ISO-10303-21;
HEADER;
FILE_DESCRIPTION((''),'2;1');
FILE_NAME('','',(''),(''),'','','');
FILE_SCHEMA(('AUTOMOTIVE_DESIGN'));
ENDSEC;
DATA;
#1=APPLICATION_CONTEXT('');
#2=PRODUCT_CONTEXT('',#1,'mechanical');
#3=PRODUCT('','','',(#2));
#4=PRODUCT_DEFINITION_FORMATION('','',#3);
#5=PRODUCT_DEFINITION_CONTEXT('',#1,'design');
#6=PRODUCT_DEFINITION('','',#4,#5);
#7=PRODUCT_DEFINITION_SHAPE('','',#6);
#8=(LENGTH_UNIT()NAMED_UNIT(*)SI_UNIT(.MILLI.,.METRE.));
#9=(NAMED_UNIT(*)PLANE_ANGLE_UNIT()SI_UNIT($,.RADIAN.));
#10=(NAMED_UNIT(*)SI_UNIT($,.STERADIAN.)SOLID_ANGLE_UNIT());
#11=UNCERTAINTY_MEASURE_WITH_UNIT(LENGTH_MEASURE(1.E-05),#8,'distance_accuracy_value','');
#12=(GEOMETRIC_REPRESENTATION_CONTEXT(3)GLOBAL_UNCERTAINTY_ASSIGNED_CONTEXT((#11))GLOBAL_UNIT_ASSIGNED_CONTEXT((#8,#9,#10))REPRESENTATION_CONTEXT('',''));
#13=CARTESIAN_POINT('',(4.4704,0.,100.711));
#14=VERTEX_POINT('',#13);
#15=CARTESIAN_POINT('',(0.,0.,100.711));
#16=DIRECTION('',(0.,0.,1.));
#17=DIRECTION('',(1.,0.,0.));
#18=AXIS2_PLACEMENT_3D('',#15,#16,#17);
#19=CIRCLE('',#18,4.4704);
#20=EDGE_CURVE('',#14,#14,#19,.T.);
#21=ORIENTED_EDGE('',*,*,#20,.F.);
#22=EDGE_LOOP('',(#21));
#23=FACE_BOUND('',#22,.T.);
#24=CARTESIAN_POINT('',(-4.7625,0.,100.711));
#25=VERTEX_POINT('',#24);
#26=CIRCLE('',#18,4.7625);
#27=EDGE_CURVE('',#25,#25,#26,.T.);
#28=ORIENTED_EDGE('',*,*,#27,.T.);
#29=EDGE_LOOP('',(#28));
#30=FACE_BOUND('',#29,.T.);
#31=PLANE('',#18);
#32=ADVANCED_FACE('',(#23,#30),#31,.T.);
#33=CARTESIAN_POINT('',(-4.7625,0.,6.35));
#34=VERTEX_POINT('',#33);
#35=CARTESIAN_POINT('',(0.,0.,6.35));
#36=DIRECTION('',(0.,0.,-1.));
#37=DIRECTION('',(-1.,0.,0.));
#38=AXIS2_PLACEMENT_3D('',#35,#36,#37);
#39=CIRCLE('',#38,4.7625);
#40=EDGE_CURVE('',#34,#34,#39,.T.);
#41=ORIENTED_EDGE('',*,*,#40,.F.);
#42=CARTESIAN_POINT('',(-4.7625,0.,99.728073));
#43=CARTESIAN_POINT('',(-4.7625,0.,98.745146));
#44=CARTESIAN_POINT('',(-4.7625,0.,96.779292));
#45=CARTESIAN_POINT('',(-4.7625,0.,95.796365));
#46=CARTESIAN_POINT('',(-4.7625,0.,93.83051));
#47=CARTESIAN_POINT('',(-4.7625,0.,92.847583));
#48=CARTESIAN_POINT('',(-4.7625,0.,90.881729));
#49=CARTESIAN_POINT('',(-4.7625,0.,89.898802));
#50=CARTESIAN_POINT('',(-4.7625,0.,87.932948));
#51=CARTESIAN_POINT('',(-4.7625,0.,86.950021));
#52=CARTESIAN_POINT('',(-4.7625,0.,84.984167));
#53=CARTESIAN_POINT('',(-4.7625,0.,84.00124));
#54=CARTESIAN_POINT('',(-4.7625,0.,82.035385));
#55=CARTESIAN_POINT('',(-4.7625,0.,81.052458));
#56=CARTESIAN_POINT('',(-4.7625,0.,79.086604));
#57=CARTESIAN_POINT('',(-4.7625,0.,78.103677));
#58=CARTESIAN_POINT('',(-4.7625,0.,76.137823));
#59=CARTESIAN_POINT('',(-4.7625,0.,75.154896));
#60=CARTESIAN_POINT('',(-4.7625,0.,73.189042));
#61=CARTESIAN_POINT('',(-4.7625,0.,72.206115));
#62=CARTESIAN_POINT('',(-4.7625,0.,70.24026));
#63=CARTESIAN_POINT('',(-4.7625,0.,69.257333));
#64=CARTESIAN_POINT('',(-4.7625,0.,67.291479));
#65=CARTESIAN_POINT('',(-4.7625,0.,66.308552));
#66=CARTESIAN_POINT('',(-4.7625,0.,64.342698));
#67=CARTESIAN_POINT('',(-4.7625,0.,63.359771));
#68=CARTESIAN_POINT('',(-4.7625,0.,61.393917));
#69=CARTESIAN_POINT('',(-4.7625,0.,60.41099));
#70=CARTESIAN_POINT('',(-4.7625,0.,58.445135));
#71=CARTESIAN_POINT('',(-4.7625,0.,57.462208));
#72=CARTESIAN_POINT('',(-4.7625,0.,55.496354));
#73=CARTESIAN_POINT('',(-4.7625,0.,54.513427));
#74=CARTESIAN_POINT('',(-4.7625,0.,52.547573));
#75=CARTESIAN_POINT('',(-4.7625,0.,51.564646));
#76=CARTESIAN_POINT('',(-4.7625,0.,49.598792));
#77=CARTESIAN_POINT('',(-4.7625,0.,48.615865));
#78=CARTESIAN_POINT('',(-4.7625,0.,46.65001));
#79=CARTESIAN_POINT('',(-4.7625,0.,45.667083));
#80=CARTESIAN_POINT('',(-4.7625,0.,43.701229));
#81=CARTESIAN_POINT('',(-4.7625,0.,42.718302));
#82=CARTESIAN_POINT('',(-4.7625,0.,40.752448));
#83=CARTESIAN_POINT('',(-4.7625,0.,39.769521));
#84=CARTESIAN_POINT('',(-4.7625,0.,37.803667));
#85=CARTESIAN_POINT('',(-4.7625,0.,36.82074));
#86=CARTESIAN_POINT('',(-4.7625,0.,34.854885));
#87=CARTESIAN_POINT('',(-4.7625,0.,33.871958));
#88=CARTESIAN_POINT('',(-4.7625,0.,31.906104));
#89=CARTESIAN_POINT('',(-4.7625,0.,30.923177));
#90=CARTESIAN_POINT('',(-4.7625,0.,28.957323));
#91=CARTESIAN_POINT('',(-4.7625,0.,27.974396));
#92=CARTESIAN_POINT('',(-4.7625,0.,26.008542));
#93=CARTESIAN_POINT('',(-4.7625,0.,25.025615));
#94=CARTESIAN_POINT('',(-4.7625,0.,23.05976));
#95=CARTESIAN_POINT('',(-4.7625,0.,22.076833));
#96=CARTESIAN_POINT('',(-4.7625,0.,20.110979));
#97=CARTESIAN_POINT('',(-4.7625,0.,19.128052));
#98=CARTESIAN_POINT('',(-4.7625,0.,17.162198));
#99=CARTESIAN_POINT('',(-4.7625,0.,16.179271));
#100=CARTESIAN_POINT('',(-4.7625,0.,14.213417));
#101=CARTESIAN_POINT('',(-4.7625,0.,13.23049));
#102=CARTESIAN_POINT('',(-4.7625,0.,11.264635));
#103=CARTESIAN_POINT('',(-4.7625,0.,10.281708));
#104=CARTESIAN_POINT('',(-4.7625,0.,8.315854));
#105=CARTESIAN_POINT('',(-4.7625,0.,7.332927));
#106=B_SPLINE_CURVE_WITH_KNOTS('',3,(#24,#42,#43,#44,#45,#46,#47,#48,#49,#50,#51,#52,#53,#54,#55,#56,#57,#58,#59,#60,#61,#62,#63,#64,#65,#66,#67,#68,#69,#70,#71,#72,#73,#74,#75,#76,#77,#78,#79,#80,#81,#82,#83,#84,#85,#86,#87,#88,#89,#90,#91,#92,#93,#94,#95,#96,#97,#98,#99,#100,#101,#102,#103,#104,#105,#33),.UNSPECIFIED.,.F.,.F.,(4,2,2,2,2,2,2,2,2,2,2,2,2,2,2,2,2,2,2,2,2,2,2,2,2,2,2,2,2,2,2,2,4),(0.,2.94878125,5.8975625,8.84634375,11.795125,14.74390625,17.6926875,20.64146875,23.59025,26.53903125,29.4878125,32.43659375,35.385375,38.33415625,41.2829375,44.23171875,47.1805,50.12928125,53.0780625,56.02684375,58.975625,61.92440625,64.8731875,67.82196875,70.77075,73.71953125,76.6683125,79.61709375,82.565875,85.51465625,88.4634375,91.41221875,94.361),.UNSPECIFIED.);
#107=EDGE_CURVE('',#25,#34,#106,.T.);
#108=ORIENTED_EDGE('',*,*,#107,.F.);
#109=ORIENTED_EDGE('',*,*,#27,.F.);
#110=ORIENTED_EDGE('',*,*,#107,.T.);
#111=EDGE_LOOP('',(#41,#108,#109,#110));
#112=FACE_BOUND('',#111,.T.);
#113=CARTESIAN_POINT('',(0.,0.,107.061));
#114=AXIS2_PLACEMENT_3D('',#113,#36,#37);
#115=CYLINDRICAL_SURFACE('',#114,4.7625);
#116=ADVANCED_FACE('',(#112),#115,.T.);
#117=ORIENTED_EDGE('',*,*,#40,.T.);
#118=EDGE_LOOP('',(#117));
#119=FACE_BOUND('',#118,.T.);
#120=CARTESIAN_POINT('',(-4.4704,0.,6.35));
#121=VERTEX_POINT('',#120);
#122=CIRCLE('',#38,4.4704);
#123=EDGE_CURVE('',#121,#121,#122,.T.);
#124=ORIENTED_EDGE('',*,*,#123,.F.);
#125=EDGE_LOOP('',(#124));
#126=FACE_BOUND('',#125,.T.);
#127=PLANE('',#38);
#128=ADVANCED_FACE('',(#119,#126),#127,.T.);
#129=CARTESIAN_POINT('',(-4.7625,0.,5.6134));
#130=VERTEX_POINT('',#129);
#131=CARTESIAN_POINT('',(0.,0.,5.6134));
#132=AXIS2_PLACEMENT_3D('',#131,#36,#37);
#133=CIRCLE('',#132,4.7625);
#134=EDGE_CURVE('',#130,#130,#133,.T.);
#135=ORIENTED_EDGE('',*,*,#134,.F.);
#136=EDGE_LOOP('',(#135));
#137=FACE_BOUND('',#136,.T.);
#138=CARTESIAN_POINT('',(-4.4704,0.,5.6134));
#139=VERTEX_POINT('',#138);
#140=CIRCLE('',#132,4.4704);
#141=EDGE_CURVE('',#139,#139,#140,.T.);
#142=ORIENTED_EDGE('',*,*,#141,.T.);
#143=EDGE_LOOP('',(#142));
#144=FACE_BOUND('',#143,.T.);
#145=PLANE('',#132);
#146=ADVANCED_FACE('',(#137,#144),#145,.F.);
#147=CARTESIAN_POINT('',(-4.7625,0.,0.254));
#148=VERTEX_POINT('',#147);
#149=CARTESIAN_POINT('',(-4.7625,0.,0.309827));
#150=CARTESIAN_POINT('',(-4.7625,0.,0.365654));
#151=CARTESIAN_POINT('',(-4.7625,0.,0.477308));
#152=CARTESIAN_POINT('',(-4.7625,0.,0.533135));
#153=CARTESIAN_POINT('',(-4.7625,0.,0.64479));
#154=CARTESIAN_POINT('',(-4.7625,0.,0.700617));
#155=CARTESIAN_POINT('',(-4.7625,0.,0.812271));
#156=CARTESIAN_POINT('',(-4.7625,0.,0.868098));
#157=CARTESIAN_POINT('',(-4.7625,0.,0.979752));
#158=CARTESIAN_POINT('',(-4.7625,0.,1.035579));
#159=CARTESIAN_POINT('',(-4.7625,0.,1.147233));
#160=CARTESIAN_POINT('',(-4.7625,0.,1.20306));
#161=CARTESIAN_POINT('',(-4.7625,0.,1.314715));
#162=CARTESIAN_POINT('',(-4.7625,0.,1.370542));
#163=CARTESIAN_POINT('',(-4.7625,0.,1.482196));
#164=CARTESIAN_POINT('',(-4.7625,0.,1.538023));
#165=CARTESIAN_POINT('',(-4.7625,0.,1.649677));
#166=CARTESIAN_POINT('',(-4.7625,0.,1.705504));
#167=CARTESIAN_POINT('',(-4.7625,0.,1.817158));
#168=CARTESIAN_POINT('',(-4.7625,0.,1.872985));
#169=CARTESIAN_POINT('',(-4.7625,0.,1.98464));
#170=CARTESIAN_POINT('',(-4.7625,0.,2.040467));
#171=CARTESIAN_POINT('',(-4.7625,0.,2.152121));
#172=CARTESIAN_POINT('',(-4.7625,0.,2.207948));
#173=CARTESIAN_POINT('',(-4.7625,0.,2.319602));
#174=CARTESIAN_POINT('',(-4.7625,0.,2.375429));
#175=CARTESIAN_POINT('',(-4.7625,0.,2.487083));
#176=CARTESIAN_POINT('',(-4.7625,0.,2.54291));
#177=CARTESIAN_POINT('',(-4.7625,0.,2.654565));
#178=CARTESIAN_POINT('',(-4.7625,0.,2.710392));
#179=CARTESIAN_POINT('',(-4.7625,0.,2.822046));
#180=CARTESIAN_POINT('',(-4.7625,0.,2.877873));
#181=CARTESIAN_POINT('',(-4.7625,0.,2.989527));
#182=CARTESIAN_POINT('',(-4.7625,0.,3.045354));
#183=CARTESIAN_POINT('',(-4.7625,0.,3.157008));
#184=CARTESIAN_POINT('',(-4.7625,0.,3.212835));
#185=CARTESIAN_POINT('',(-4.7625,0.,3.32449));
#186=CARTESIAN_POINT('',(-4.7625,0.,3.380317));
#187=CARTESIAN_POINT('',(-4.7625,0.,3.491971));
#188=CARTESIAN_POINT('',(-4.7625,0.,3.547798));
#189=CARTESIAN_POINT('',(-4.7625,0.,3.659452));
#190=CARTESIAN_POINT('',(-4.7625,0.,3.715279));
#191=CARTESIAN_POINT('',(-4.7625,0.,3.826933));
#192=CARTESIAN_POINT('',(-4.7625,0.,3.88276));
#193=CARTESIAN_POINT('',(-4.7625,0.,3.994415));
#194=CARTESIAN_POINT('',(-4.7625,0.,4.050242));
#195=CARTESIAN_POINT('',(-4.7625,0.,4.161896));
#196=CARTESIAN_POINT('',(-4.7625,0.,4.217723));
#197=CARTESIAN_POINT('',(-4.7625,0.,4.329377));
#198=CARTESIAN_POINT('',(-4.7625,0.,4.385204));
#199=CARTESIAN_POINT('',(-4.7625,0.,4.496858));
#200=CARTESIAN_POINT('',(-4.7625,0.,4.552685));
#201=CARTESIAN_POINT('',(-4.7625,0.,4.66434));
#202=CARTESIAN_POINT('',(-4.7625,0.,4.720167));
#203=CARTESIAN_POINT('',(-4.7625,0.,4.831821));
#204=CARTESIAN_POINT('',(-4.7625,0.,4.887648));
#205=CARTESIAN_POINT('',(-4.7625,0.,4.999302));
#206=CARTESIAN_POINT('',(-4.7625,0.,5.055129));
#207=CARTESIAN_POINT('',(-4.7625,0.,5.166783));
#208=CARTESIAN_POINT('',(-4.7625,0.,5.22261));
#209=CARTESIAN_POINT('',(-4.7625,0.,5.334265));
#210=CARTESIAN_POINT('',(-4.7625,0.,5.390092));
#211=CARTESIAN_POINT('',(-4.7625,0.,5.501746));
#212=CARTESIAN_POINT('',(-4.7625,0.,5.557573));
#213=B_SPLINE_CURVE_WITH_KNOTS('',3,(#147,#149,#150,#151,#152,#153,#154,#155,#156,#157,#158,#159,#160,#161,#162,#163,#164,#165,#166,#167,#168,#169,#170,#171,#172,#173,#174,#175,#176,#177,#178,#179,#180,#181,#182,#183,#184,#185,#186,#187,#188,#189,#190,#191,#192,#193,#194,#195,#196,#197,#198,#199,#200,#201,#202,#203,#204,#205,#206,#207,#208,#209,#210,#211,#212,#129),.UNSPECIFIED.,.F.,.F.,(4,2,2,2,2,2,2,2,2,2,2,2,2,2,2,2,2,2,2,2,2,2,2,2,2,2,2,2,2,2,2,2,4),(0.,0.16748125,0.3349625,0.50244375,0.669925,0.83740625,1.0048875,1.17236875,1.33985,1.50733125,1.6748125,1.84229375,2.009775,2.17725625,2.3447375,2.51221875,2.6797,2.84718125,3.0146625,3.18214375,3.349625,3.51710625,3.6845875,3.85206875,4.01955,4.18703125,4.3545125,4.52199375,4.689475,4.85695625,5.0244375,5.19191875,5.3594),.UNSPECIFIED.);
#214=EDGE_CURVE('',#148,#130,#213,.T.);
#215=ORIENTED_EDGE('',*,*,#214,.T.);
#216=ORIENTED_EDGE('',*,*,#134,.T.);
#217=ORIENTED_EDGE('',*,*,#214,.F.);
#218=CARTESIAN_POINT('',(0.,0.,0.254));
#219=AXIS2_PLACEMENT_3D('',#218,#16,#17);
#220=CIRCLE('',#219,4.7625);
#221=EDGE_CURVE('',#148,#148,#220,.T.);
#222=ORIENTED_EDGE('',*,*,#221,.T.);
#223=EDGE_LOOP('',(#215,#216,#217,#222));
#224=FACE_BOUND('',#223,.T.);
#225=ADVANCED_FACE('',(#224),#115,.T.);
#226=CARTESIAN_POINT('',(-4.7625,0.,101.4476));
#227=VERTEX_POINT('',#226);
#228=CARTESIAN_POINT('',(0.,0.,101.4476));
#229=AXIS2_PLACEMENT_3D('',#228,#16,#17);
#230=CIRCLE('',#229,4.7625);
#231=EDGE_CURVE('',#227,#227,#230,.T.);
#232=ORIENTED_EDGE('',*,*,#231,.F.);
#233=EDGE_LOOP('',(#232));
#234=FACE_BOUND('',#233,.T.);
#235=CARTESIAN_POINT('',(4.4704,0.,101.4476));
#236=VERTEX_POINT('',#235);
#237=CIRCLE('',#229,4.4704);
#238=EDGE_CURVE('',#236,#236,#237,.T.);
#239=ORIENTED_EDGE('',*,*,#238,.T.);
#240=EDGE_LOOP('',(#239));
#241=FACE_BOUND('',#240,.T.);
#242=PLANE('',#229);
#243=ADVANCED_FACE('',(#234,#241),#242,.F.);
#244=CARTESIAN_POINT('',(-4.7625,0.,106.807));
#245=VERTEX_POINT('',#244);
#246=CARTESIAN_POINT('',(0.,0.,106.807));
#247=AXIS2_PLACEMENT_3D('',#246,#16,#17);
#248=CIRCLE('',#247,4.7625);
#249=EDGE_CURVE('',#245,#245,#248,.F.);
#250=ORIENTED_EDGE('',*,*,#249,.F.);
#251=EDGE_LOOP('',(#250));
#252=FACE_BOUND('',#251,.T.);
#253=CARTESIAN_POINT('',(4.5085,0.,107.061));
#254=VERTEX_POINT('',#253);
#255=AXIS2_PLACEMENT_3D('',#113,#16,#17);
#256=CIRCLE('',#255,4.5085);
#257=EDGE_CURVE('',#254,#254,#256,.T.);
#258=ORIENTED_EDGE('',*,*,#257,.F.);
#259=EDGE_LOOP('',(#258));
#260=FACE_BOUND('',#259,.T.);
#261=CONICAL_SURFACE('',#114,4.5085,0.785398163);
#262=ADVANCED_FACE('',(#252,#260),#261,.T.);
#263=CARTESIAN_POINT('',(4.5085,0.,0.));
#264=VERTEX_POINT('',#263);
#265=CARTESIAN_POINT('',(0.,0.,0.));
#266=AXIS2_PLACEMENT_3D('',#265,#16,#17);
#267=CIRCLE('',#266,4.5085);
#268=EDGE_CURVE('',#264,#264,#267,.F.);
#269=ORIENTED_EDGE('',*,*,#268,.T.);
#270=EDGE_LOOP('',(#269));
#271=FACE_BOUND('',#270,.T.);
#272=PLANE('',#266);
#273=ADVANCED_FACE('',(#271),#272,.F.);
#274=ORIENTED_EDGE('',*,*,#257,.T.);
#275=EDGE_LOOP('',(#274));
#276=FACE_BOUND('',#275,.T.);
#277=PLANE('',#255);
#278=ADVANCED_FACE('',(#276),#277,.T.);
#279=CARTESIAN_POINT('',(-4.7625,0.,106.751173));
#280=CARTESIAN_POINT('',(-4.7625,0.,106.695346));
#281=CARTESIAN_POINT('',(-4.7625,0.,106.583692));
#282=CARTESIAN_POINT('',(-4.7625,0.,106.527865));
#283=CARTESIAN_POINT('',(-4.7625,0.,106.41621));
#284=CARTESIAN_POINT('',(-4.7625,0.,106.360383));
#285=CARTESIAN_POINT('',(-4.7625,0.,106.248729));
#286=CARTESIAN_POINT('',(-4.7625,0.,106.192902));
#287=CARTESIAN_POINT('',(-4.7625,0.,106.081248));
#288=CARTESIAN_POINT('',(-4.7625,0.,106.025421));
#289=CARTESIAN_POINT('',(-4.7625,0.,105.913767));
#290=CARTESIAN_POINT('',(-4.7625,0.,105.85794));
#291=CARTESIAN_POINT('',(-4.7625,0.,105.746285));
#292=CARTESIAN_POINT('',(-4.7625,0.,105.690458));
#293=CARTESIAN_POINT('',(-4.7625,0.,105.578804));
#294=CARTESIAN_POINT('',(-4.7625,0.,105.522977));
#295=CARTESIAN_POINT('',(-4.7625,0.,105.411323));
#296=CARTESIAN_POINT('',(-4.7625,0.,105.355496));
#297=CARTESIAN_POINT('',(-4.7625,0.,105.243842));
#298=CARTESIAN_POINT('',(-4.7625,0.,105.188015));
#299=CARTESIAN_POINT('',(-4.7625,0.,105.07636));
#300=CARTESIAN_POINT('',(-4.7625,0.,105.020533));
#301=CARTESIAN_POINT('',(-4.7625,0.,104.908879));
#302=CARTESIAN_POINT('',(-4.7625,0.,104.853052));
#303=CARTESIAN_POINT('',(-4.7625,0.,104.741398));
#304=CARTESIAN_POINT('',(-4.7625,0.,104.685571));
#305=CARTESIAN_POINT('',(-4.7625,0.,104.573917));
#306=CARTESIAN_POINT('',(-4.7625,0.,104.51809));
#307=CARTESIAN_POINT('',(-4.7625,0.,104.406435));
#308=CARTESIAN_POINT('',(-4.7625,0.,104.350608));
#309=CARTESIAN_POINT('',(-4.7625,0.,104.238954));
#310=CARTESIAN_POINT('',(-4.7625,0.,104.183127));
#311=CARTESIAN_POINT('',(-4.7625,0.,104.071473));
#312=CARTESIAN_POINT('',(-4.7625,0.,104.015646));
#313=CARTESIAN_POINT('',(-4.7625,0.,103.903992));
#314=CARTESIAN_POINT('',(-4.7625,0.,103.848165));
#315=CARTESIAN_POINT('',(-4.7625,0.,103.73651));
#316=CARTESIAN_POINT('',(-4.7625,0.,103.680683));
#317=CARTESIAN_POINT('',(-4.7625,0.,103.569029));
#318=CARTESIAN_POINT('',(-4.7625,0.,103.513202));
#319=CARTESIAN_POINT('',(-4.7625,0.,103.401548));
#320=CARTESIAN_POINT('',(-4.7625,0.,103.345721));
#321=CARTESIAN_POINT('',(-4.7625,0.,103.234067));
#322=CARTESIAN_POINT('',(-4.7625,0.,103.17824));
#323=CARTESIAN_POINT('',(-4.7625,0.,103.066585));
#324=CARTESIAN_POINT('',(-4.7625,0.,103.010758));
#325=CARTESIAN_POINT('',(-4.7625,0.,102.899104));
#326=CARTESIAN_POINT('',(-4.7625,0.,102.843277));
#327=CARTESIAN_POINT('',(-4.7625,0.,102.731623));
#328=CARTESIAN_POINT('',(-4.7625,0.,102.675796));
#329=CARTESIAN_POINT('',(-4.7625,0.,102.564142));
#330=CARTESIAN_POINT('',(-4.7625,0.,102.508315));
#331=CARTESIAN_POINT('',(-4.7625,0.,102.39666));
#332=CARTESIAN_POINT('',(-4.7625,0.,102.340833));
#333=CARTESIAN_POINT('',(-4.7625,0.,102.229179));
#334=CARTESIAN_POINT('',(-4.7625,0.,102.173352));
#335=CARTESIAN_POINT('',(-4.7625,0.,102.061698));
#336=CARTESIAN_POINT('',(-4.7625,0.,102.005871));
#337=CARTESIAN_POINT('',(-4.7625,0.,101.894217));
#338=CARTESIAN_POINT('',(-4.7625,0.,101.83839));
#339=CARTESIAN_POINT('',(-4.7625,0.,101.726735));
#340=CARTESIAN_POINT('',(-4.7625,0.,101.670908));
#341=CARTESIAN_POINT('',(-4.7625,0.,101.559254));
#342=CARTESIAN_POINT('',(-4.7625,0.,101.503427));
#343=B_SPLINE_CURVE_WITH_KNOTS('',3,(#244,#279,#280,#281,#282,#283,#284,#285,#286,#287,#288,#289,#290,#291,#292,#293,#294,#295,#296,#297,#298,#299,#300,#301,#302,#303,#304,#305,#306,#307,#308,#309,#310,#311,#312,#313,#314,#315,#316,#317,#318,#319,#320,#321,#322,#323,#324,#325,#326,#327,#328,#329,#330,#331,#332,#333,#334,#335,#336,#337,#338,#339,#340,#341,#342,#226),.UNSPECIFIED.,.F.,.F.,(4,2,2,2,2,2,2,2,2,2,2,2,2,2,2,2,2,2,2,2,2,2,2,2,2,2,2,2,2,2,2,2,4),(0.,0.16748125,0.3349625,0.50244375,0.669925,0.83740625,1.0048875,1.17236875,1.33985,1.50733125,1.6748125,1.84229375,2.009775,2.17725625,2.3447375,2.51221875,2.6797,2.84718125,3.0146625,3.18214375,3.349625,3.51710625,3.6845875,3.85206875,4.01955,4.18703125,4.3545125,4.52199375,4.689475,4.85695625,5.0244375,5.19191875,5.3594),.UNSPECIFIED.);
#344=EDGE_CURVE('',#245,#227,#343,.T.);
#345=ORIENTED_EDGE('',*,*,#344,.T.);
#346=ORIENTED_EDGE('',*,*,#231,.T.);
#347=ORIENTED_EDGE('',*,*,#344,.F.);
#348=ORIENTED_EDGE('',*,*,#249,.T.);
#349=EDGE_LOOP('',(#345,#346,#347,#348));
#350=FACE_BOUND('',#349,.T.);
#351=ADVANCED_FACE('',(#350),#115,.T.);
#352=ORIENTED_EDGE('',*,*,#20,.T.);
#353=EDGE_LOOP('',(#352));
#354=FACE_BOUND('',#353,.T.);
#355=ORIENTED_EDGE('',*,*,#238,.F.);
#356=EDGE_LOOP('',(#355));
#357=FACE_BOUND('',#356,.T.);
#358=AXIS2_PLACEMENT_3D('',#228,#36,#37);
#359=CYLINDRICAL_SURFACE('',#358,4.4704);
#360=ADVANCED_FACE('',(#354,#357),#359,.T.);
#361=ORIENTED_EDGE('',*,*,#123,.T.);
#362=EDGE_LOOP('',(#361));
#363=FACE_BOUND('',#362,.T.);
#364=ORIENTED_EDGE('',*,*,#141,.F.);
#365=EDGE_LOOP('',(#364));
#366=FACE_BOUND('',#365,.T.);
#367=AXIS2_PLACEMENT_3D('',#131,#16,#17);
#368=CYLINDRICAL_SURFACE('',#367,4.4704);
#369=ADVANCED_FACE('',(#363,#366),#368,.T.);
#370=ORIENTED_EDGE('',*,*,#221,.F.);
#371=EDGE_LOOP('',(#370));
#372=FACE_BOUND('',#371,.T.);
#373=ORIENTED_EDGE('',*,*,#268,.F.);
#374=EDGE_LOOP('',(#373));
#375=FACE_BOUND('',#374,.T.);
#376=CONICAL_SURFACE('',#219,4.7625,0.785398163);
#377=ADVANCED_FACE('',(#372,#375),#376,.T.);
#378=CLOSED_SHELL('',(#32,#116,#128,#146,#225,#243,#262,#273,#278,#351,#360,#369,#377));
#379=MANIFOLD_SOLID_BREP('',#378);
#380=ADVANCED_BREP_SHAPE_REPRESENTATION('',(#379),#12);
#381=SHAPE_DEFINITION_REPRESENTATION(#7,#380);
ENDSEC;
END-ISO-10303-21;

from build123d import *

# Parameters (mm, degrees)
SKETCH1_R           = 4.7625
BOSS_EXTRUDE1_DEPTH = 107.061
SKETCH2_R           = 5.514901598
SKETCH2_R_2         = 4.4704
CUT_EXTRUDE1_DEPTH  = 0.7366
CUT_EXTRUDE2_START  = 0.7366
SKETCH3_R           = 6.35
SKETCH3_R_2         = 4.4704
CUT_EXTRUDE2_DEPTH  = 0.7366
CHAMFER1_SIZE       = 0.254


with BuildPart() as part:
    # Sketch1 → Boss-Extrude1 (new body)
    with BuildSketch(Plane.XY):
        with Locations(Location((0, 0, 0), (0, 0, 180))):
            Circle(SKETCH1_R)
    extrude(amount=BOSS_EXTRUDE1_DEPTH)

    # Sketch2 → Cut-Extrude1 (cut)
    with BuildSketch(Plane.XY.offset(100.711)):
        Circle(SKETCH2_R)
        Circle(SKETCH2_R_2, mode=Mode.SUBTRACT)
    extrude(amount=CUT_EXTRUDE1_DEPTH, mode=Mode.SUBTRACT)

    # Sketch3 → Cut-Extrude2 (cut)
    with BuildSketch(Plane(origin=(0, 0, 6.35), x_dir=(-1, 0, 0), z_dir=(0, 0, -1)).offset(CUT_EXTRUDE2_START)):
        Circle(SKETCH3_R)
        with Locations(Location((0, 0, 0), (0, 0, 180))):
            Circle(SKETCH3_R_2, mode=Mode.SUBTRACT)
    extrude(amount=-CUT_EXTRUDE2_DEPTH, mode=Mode.SUBTRACT)

    # Chamfer1
    chamfer1_edges = [part.edges().sort_by_distance(p)[0] for p in [
        (4.7625, 0, 0),
        (4.7625, 0, 107.061),
    ]]
    chamfer(chamfer1_edges, length=CHAMFER1_SIZE)


solid = part.part
